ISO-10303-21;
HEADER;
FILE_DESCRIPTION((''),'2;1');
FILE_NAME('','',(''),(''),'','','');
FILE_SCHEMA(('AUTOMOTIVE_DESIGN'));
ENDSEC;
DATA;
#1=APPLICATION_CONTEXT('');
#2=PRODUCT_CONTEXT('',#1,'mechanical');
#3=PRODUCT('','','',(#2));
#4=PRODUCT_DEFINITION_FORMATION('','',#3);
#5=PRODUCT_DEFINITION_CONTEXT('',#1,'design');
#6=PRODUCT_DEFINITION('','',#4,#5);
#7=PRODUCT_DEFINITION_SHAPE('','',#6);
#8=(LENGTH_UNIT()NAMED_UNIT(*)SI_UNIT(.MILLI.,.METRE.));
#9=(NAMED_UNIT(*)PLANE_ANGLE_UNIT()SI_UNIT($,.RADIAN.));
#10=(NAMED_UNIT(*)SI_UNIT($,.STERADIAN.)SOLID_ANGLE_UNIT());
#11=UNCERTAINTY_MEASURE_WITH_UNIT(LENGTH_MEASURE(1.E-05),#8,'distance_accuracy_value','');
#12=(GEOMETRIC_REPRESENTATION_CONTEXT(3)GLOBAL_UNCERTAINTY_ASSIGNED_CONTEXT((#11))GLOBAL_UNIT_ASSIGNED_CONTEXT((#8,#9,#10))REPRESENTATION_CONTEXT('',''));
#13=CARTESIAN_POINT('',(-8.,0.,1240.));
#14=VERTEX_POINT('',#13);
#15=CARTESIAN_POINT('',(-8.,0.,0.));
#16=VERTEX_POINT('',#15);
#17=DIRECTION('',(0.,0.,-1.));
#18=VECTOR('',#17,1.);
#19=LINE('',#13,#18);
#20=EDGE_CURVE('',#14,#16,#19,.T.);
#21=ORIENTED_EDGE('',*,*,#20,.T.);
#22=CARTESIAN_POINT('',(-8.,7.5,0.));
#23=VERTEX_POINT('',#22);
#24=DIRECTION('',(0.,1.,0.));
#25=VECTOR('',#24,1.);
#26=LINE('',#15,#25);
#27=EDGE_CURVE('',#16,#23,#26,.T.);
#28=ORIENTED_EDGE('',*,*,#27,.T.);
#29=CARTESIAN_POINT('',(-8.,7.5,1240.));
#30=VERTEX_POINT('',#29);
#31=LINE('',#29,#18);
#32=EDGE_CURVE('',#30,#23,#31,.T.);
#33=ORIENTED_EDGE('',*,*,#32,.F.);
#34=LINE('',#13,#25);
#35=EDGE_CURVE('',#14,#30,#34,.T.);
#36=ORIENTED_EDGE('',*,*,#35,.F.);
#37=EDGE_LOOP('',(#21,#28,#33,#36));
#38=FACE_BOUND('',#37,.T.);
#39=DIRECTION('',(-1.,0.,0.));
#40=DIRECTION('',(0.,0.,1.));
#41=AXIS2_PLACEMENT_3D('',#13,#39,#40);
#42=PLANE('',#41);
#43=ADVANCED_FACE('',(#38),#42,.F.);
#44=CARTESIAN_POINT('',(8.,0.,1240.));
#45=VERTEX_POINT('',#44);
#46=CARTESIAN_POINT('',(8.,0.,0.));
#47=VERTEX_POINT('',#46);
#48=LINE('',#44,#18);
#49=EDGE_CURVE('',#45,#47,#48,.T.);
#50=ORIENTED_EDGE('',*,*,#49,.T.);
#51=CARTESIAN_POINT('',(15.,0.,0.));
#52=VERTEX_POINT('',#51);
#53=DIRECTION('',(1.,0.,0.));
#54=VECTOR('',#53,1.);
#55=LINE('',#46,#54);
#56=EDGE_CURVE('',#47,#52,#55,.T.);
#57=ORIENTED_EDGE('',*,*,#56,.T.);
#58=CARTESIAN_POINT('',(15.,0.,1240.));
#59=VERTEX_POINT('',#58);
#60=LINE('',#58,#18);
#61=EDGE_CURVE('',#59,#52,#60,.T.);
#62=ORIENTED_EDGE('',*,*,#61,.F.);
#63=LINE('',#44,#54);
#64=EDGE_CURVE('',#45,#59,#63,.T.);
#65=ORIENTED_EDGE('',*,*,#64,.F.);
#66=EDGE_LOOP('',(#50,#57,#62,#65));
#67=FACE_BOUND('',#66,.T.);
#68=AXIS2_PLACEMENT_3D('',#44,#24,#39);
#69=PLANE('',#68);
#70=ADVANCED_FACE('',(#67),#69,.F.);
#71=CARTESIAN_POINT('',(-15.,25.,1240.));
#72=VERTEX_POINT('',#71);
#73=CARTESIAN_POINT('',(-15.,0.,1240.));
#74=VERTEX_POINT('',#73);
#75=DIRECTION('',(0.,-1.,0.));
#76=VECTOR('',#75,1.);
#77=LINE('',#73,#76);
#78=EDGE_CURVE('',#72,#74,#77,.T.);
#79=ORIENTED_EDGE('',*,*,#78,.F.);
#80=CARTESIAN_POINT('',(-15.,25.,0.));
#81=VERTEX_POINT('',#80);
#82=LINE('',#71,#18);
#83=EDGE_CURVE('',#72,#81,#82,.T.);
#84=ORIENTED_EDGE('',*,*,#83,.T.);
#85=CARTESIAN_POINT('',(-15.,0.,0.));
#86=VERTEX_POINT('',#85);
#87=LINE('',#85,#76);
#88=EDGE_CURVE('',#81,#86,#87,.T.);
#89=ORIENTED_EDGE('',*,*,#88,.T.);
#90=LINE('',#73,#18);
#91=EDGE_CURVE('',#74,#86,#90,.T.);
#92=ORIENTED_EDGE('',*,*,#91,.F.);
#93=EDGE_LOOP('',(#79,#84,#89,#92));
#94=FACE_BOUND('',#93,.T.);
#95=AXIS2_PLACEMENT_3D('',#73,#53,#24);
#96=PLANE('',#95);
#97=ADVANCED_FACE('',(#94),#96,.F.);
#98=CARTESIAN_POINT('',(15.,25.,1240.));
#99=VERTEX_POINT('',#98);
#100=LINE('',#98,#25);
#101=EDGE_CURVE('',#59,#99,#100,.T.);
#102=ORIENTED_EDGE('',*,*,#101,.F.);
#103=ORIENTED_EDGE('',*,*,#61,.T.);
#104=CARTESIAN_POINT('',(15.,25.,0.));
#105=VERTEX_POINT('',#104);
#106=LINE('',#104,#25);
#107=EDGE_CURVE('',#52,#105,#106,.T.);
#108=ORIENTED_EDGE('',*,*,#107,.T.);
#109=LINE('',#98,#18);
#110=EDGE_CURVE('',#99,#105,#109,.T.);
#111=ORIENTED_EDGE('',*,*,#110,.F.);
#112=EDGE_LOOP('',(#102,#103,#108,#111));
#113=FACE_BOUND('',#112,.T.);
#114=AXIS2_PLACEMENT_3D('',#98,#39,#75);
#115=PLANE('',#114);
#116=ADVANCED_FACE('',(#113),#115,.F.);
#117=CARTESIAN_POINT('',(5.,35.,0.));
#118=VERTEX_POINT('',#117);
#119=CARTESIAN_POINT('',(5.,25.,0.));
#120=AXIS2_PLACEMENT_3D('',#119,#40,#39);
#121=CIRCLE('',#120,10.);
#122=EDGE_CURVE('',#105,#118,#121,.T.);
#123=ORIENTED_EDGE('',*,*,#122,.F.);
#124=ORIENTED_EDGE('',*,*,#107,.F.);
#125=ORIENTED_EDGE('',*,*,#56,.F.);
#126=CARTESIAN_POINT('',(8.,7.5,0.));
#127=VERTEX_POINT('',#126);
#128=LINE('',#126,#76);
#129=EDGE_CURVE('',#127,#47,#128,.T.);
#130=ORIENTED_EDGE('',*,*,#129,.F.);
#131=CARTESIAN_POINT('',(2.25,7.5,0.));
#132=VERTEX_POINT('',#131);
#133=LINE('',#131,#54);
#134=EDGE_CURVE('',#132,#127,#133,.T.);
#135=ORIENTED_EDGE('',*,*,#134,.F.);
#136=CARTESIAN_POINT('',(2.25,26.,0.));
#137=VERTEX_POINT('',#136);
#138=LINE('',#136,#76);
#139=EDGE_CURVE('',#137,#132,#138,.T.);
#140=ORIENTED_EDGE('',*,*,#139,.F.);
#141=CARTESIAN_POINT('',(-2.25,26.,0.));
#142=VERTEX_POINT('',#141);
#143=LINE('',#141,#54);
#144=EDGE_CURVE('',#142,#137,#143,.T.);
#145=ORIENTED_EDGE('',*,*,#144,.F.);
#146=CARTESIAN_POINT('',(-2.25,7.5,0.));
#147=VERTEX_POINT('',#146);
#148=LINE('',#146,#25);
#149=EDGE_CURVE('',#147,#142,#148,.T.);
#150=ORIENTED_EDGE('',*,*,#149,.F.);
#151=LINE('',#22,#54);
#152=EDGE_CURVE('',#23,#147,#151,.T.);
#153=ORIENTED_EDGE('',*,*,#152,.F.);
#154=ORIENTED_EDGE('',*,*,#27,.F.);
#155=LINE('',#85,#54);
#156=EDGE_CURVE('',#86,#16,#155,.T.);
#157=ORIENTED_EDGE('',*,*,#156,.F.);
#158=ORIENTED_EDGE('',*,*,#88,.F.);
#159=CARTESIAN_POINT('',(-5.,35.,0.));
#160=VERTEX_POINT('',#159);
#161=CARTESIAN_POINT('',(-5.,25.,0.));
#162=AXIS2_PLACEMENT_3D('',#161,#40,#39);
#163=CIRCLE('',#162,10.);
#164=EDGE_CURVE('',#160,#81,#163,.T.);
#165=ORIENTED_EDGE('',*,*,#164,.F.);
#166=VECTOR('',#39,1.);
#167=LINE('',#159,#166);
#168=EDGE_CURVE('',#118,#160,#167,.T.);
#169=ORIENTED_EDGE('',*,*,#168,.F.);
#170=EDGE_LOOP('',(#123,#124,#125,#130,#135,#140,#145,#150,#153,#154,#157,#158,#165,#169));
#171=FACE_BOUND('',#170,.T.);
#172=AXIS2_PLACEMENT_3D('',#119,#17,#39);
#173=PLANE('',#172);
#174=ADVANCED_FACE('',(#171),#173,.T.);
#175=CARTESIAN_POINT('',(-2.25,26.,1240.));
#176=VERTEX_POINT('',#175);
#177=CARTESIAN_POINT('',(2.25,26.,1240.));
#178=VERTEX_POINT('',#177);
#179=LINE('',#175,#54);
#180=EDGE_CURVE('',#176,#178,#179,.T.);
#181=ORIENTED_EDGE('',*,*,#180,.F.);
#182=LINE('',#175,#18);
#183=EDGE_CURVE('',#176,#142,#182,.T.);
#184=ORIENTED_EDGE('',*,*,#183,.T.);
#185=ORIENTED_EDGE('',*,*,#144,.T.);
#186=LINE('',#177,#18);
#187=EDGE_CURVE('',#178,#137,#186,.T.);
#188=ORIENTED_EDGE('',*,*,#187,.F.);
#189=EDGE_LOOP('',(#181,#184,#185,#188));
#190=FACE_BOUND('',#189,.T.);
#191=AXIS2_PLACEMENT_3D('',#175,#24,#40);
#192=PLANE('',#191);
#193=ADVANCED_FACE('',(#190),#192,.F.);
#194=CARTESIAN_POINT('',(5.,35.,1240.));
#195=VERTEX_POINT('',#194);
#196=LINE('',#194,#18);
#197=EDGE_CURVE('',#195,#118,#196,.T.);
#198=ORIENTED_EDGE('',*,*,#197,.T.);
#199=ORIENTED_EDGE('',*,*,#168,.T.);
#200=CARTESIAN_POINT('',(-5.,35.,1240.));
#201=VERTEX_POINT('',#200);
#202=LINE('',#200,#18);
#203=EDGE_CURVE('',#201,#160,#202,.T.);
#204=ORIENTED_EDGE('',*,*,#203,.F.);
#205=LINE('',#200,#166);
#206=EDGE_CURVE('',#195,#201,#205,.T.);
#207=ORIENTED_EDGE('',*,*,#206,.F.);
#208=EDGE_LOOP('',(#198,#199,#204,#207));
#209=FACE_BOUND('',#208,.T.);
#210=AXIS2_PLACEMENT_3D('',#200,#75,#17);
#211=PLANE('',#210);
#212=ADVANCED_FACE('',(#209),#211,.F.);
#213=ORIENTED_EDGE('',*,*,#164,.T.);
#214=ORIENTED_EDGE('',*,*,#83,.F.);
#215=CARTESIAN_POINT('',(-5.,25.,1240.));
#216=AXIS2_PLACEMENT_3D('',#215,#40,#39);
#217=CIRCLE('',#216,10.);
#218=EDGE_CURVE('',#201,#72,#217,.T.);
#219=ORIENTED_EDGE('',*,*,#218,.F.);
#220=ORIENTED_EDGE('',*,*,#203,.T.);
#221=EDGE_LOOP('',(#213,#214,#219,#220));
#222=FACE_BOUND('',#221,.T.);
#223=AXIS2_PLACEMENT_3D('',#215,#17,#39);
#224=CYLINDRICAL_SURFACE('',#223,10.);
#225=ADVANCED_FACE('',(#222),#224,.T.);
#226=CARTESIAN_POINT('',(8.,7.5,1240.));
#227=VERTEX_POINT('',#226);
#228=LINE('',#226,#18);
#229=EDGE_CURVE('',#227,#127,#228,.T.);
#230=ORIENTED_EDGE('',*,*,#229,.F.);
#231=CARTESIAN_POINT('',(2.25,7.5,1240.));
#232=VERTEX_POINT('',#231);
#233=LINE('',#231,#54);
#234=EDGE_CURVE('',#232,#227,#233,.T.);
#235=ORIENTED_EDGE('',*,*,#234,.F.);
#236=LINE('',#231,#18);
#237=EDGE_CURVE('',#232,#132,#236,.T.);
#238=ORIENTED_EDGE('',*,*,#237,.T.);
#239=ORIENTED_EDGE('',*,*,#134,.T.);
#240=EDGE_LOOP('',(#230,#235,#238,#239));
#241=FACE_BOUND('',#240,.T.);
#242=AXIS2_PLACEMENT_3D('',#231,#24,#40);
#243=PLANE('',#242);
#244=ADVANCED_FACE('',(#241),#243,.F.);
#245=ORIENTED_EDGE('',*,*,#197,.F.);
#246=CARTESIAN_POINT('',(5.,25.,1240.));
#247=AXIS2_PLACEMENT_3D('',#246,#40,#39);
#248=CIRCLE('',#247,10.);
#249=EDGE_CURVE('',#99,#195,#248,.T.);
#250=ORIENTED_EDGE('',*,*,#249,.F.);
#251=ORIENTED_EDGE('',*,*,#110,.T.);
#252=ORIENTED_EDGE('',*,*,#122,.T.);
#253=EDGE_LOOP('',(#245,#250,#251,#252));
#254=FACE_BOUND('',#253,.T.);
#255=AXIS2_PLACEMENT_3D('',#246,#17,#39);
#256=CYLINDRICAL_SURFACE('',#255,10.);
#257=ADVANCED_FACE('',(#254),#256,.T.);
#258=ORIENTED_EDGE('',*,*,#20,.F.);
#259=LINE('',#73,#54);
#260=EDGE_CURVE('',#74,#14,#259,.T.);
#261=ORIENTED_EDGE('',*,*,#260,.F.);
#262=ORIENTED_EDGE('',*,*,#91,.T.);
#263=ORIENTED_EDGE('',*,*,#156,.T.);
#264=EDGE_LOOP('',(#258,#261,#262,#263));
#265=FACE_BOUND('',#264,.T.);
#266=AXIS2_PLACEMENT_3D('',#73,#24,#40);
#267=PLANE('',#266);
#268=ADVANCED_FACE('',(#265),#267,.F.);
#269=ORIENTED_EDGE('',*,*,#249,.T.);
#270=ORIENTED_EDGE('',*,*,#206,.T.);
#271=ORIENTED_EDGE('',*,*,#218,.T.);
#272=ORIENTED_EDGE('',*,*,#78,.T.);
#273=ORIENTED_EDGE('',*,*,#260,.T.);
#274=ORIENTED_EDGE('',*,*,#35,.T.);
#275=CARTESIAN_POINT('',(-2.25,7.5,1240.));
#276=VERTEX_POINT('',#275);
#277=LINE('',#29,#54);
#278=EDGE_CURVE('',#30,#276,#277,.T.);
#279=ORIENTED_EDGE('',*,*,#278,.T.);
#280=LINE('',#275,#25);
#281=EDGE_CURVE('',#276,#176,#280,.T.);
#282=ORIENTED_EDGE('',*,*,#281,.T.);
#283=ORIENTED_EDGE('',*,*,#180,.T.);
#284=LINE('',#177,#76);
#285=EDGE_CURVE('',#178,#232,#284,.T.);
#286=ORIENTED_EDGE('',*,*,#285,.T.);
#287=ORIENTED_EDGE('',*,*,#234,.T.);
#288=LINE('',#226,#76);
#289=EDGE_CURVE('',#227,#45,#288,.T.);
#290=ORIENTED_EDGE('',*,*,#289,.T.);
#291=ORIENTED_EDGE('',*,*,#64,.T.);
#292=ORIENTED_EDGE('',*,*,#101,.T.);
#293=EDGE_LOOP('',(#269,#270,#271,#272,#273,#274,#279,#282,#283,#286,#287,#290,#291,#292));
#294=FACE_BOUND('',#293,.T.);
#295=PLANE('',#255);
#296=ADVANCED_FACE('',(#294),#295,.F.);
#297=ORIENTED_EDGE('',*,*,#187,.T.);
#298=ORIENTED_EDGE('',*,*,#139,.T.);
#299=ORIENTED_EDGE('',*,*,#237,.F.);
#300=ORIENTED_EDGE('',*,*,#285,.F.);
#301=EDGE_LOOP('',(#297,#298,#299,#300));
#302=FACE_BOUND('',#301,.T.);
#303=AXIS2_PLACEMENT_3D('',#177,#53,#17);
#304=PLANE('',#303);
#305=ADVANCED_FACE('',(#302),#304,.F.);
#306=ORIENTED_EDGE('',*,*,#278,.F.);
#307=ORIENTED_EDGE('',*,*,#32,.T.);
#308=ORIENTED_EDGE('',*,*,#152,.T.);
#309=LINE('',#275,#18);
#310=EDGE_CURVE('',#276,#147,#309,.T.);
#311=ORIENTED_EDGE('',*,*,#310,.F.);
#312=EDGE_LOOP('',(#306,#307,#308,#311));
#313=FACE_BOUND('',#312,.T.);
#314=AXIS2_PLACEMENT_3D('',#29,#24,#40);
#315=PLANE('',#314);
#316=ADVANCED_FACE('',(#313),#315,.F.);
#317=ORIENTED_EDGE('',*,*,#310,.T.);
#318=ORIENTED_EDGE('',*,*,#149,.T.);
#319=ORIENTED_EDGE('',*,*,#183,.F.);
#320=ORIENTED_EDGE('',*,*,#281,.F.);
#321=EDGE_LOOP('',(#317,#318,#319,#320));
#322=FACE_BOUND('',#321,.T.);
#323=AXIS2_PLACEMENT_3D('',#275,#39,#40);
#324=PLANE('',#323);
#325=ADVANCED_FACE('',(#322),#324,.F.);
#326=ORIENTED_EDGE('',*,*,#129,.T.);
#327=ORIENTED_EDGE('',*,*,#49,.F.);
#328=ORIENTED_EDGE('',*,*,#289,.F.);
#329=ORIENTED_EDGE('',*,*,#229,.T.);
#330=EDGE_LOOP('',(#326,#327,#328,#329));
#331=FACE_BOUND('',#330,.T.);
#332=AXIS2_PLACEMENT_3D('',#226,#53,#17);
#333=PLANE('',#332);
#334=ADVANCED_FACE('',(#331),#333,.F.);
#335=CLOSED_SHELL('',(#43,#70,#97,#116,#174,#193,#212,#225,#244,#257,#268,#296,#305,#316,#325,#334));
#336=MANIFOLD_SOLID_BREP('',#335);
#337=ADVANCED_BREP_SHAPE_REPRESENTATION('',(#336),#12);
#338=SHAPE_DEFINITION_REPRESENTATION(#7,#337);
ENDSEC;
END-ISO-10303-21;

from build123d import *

# Parameters (mm, degrees)
BOSS_EXTRU_1_DEPTH = 1240


with BuildPart() as part:
    # Esquisse1 → Boss.-Extru.1 (new body)
    with BuildSketch(Plane.XY):
        with BuildLine():
            Line((-15, 0), (-15, 25))
            ThreePointArc((-15, 25), (-12.071067812, 32.071067812), (-5, 35))
            Line((-5, 35), (5, 35))
            ThreePointArc((5, 35), (12.071067812, 32.071067812), (15, 25))
            Line((15, 25), (15, 0))
            Line((15, 0), (8, 0))
            Line((8, 0), (8, 7.5))
            Line((8, 7.5), (2.25, 7.5))
            Line((2.25, 7.5), (2.25, 26))
            Line((2.25, 26), (-2.25, 26))
            Line((-2.25, 26), (-2.25, 7.5))
            Line((-2.25, 7.5), (-8, 7.5))
            Line((-8, 7.5), (-8, 0))
            Line((-8, 0), (-15, 0))
        make_face()
    extrude(amount=BOSS_EXTRU_1_DEPTH)


solid = part.part
